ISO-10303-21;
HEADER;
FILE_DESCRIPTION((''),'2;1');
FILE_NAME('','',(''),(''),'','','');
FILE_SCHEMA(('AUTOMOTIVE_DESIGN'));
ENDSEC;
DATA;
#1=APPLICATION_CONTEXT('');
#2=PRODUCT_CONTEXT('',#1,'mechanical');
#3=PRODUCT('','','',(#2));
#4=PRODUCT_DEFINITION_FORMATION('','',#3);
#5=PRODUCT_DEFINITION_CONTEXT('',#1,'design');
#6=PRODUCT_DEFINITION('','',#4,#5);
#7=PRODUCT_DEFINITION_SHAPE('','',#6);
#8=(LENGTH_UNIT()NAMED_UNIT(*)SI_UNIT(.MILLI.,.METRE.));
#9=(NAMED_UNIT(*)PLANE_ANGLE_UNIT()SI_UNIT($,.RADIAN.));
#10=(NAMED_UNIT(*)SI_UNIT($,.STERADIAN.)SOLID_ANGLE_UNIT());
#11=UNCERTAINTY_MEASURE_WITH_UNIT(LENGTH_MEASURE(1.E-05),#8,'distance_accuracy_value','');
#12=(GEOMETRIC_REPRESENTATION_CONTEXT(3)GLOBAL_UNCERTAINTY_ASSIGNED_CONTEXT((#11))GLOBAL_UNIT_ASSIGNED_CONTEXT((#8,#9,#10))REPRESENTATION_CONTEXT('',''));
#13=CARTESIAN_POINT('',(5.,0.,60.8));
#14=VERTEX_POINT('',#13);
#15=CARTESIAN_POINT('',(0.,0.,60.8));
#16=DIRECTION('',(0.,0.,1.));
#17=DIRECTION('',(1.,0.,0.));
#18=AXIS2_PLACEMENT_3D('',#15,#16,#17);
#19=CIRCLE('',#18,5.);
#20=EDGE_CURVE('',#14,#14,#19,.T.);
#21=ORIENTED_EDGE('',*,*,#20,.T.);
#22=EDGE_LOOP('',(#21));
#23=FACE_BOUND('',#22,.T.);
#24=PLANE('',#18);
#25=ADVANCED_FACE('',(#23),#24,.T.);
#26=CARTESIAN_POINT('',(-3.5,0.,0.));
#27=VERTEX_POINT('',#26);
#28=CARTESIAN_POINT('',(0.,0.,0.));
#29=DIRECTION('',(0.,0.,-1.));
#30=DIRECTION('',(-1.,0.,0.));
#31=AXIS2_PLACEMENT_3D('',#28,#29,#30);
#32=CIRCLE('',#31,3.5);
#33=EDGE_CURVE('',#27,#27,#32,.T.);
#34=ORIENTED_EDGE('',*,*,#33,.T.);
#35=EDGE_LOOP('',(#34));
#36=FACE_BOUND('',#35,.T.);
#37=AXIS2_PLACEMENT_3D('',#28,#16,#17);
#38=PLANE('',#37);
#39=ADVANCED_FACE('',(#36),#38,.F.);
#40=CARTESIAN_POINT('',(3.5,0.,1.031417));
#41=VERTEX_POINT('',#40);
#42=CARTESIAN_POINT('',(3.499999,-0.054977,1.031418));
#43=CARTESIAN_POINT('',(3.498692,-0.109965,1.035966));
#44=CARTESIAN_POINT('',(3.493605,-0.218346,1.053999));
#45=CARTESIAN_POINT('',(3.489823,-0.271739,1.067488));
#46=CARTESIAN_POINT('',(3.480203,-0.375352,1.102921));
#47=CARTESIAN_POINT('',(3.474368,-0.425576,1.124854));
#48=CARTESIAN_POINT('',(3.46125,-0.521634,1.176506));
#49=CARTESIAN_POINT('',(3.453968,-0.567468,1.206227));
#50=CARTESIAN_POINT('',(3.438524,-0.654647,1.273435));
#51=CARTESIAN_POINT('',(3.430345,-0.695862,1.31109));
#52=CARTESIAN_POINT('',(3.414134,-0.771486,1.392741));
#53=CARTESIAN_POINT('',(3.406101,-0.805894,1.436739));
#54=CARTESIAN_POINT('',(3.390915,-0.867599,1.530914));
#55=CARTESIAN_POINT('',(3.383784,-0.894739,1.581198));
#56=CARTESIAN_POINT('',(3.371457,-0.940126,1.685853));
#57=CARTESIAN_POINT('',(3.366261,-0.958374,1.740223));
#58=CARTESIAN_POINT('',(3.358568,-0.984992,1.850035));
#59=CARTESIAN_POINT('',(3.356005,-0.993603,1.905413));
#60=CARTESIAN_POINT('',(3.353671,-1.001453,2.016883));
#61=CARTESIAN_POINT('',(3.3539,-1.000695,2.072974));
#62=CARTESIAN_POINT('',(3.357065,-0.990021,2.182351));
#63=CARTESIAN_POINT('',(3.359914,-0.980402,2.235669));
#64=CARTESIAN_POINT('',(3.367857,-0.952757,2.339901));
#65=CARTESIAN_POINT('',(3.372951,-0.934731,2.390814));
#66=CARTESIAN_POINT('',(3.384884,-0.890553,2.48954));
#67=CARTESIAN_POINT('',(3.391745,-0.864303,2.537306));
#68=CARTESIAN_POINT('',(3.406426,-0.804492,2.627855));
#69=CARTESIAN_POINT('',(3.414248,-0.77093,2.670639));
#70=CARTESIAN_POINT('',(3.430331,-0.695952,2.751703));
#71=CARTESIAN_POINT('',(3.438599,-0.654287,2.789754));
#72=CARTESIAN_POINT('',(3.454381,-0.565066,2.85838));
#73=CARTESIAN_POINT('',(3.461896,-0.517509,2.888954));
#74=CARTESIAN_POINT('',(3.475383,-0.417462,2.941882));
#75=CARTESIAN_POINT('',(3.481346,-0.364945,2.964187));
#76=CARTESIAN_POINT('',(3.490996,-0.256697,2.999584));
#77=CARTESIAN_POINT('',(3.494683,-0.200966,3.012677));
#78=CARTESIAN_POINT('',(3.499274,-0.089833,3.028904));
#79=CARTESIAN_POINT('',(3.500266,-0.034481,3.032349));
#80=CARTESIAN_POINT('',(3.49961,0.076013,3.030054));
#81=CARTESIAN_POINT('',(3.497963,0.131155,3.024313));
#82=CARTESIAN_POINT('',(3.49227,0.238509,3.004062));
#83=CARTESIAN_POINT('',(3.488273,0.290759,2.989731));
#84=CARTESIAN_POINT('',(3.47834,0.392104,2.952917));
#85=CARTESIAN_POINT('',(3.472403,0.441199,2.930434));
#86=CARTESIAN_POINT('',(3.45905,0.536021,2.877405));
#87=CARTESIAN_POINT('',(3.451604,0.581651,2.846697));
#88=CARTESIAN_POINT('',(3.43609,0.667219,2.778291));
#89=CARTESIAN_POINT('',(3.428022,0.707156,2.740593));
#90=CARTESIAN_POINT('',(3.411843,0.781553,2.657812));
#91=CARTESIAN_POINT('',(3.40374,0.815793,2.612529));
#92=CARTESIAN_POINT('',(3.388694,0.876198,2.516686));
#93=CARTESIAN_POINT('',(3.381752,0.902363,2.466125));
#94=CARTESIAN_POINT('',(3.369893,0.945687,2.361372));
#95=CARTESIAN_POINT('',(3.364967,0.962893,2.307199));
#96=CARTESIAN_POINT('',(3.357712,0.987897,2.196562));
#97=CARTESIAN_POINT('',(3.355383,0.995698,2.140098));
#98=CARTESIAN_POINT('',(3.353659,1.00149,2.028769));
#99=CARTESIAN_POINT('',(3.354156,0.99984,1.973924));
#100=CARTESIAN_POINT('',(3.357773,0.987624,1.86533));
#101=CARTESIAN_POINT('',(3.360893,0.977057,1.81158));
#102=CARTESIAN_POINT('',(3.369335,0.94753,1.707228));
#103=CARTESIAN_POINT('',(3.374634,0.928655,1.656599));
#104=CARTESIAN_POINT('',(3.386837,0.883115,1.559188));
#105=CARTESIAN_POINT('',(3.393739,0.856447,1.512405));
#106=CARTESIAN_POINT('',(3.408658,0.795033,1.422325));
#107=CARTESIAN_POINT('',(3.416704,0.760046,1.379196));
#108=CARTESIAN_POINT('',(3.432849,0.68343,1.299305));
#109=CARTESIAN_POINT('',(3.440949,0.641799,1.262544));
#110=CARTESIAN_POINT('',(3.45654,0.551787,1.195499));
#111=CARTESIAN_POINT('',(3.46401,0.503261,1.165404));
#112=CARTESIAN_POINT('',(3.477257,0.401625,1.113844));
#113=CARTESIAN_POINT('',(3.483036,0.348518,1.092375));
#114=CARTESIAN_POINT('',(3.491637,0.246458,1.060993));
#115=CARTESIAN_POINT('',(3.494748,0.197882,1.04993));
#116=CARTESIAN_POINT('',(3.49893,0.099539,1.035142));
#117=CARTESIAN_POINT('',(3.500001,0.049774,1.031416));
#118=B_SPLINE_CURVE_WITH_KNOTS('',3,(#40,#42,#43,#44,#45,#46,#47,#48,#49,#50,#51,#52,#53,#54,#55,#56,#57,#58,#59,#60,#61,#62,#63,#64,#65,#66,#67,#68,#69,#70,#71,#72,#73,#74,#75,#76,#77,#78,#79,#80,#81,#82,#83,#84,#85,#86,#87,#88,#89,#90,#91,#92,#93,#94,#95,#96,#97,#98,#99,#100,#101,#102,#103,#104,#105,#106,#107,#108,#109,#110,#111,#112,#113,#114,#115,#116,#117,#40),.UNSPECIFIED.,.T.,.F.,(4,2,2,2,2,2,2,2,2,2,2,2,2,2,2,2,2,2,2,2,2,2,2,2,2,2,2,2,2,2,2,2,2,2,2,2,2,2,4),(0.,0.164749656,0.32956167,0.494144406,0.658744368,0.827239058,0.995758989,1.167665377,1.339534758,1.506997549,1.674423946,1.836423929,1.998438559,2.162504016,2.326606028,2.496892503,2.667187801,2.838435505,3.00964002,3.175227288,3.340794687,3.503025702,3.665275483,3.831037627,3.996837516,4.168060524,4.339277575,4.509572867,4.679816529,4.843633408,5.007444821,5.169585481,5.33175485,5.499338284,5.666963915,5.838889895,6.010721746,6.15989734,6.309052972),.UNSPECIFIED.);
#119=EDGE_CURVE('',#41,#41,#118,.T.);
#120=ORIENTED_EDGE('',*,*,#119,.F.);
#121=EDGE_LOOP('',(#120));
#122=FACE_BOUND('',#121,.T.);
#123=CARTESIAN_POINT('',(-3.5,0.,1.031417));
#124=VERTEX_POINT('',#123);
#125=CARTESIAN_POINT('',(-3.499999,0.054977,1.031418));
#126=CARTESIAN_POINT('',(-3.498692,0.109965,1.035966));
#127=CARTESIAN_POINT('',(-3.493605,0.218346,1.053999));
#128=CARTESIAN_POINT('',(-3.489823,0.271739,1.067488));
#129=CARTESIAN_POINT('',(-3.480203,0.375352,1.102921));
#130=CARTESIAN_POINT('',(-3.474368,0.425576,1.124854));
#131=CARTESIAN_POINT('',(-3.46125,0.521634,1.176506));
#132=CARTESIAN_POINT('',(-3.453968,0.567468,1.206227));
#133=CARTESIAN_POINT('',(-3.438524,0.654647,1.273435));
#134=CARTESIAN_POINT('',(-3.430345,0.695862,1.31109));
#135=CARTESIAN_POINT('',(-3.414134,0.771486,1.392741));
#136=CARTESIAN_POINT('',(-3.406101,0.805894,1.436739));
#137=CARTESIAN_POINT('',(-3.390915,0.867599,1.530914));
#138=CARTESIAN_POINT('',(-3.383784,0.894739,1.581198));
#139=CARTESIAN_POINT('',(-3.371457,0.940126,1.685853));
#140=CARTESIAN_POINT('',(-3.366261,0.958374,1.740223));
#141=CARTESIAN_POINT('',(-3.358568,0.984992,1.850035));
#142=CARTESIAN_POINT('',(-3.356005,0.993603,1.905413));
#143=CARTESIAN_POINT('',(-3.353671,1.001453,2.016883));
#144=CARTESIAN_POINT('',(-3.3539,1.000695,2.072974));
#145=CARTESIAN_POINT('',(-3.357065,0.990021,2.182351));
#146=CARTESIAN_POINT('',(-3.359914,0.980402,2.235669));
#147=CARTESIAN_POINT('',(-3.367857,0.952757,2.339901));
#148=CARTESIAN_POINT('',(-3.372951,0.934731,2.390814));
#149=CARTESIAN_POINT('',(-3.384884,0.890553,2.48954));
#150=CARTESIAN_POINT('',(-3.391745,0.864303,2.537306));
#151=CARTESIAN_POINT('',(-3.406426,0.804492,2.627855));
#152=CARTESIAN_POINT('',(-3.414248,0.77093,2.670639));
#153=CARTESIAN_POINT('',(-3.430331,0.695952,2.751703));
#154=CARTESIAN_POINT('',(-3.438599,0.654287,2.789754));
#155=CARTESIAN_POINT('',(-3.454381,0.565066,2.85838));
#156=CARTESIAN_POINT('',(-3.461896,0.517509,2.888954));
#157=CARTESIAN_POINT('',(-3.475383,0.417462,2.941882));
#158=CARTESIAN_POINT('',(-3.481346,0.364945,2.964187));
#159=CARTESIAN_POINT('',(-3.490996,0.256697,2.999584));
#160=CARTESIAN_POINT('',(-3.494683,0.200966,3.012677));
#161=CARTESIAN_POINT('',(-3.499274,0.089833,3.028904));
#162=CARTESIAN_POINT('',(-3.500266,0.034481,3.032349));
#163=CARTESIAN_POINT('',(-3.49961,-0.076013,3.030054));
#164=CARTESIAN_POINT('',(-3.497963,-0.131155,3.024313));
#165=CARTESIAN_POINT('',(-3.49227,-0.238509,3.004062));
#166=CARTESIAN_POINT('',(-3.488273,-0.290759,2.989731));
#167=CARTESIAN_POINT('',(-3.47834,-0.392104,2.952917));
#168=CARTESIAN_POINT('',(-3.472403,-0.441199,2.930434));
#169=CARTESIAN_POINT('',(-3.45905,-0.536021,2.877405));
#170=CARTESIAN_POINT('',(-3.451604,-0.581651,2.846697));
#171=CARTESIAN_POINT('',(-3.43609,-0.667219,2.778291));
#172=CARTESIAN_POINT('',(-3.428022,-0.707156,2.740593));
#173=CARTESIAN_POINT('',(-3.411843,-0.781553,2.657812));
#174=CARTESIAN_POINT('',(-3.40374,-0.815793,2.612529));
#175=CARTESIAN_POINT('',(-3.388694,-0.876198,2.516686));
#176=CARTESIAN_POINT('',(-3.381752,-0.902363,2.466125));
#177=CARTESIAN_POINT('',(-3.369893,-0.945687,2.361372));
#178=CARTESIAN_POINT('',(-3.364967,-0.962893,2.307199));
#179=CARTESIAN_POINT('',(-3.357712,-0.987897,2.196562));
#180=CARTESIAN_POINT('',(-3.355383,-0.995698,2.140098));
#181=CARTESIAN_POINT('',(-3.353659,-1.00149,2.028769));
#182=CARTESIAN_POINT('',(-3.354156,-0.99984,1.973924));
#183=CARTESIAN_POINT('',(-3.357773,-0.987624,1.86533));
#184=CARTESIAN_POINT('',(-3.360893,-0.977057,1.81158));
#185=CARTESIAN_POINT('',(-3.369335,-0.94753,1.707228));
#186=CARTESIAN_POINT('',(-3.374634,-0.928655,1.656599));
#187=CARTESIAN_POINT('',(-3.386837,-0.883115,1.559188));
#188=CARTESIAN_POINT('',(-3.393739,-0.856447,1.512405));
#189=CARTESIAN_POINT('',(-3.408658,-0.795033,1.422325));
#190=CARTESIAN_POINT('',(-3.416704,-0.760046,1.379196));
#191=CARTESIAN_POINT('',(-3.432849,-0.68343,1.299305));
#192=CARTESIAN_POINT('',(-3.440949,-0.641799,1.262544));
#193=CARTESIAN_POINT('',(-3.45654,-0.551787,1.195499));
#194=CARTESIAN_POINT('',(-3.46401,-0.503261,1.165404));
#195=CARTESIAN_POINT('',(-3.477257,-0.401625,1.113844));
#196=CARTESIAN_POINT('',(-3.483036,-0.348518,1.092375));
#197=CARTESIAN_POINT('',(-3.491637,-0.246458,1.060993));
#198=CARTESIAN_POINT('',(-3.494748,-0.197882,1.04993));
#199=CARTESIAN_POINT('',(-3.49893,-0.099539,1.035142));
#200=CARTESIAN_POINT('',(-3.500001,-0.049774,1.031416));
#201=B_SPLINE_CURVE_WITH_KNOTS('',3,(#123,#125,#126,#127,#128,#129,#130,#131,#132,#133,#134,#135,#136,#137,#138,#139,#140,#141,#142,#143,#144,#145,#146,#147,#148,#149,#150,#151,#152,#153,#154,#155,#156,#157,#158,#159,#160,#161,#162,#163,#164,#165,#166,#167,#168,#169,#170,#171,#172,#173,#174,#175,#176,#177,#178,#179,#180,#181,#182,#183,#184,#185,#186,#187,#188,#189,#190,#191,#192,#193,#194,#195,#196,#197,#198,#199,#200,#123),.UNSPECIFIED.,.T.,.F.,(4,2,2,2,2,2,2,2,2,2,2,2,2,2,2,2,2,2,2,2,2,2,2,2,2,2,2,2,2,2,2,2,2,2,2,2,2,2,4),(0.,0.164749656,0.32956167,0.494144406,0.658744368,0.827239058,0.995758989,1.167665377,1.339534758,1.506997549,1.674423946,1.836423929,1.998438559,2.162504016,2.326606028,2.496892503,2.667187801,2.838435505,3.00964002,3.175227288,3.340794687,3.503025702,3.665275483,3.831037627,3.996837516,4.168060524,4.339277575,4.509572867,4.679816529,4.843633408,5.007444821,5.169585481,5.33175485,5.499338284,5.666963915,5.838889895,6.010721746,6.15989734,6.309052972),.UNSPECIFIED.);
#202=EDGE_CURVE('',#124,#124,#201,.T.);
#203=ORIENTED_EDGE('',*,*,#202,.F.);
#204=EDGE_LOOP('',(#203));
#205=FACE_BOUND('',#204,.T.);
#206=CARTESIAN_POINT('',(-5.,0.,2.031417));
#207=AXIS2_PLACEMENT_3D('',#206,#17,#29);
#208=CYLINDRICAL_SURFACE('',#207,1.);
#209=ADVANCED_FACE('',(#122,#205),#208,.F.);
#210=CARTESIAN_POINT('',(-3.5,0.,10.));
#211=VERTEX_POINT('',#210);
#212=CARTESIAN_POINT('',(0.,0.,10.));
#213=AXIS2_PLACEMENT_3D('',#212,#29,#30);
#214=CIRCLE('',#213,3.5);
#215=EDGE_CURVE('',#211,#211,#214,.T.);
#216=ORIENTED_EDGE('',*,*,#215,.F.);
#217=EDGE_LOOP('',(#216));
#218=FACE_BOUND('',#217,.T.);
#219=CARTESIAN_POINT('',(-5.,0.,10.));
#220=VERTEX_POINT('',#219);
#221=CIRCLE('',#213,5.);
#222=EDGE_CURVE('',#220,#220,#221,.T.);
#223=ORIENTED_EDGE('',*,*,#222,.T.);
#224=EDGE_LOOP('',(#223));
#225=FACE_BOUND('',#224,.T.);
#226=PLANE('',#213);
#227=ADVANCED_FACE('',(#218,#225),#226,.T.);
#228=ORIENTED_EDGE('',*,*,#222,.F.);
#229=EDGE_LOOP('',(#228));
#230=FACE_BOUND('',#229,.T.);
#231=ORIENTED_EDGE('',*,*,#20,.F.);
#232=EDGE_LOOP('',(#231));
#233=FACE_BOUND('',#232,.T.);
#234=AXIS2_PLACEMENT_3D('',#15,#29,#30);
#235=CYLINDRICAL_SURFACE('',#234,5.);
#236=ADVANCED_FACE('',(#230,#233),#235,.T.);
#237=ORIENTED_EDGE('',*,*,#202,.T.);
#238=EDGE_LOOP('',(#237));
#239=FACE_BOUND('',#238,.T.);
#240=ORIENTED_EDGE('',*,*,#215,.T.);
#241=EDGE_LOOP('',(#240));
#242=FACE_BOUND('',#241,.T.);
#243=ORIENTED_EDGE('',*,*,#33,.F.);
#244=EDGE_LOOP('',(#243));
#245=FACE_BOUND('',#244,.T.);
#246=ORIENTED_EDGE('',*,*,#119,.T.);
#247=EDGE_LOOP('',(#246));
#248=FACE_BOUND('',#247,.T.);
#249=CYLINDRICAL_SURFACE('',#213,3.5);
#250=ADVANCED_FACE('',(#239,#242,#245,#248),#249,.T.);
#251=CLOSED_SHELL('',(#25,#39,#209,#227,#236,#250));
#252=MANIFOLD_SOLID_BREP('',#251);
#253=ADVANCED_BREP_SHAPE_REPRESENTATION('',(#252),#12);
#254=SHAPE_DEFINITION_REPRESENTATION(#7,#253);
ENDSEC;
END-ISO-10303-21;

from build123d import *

# Parameters (mm, degrees)
SKETCH1_R               = 5
BOSS_EXTRUDE1_DEPTH     = 60.8
SKETCH2_R               = 1
CUT_EXTRUDE1_DEPTH      = 6
CUT_EXTRUDE1_DEPTH_BACK = 6
SKETCH3_OUTSIDE_W       = 24.484
SKETCH3_OUTSIDE_H       = 24.484
SKETCH3_OUTSIDE_R       = 3.5
CUT_EXTRUDE2_DEPTH      = 10


with BuildPart() as part:
    # Sketch1 → Boss-Extrude1 (new body)
    with BuildSketch(Plane.XY):
        Circle(SKETCH1_R)
    extrude(amount=BOSS_EXTRUDE1_DEPTH)

    # Sketch2 → Cut-Extrude1 (cut, two sides)
    with BuildSketch(Plane(origin=(0, 0, 0), x_dir=(0, 0, -1), z_dir=(1, 0, 0))) as cut_extrude1_sk:
        with Locations((-2.031417136, 0)):
            Circle(SKETCH2_R)
    extrude(amount=CUT_EXTRUDE1_DEPTH, mode=Mode.SUBTRACT)
    extrude(cut_extrude1_sk.sketch, amount=-CUT_EXTRUDE1_DEPTH_BACK, mode=Mode.SUBTRACT)

    # Sketch3 outside → Cut-Extrude2 (cut)
    with BuildSketch(Plane(origin=(0, 0, 0), x_dir=(-1, 0, 0), z_dir=(0, 0, -1))):
        Rectangle(SKETCH3_OUTSIDE_W, SKETCH3_OUTSIDE_H)
        Circle(SKETCH3_OUTSIDE_R, mode=Mode.SUBTRACT)
    extrude(amount=-CUT_EXTRUDE2_DEPTH, mode=Mode.SUBTRACT)


solid = part.part
